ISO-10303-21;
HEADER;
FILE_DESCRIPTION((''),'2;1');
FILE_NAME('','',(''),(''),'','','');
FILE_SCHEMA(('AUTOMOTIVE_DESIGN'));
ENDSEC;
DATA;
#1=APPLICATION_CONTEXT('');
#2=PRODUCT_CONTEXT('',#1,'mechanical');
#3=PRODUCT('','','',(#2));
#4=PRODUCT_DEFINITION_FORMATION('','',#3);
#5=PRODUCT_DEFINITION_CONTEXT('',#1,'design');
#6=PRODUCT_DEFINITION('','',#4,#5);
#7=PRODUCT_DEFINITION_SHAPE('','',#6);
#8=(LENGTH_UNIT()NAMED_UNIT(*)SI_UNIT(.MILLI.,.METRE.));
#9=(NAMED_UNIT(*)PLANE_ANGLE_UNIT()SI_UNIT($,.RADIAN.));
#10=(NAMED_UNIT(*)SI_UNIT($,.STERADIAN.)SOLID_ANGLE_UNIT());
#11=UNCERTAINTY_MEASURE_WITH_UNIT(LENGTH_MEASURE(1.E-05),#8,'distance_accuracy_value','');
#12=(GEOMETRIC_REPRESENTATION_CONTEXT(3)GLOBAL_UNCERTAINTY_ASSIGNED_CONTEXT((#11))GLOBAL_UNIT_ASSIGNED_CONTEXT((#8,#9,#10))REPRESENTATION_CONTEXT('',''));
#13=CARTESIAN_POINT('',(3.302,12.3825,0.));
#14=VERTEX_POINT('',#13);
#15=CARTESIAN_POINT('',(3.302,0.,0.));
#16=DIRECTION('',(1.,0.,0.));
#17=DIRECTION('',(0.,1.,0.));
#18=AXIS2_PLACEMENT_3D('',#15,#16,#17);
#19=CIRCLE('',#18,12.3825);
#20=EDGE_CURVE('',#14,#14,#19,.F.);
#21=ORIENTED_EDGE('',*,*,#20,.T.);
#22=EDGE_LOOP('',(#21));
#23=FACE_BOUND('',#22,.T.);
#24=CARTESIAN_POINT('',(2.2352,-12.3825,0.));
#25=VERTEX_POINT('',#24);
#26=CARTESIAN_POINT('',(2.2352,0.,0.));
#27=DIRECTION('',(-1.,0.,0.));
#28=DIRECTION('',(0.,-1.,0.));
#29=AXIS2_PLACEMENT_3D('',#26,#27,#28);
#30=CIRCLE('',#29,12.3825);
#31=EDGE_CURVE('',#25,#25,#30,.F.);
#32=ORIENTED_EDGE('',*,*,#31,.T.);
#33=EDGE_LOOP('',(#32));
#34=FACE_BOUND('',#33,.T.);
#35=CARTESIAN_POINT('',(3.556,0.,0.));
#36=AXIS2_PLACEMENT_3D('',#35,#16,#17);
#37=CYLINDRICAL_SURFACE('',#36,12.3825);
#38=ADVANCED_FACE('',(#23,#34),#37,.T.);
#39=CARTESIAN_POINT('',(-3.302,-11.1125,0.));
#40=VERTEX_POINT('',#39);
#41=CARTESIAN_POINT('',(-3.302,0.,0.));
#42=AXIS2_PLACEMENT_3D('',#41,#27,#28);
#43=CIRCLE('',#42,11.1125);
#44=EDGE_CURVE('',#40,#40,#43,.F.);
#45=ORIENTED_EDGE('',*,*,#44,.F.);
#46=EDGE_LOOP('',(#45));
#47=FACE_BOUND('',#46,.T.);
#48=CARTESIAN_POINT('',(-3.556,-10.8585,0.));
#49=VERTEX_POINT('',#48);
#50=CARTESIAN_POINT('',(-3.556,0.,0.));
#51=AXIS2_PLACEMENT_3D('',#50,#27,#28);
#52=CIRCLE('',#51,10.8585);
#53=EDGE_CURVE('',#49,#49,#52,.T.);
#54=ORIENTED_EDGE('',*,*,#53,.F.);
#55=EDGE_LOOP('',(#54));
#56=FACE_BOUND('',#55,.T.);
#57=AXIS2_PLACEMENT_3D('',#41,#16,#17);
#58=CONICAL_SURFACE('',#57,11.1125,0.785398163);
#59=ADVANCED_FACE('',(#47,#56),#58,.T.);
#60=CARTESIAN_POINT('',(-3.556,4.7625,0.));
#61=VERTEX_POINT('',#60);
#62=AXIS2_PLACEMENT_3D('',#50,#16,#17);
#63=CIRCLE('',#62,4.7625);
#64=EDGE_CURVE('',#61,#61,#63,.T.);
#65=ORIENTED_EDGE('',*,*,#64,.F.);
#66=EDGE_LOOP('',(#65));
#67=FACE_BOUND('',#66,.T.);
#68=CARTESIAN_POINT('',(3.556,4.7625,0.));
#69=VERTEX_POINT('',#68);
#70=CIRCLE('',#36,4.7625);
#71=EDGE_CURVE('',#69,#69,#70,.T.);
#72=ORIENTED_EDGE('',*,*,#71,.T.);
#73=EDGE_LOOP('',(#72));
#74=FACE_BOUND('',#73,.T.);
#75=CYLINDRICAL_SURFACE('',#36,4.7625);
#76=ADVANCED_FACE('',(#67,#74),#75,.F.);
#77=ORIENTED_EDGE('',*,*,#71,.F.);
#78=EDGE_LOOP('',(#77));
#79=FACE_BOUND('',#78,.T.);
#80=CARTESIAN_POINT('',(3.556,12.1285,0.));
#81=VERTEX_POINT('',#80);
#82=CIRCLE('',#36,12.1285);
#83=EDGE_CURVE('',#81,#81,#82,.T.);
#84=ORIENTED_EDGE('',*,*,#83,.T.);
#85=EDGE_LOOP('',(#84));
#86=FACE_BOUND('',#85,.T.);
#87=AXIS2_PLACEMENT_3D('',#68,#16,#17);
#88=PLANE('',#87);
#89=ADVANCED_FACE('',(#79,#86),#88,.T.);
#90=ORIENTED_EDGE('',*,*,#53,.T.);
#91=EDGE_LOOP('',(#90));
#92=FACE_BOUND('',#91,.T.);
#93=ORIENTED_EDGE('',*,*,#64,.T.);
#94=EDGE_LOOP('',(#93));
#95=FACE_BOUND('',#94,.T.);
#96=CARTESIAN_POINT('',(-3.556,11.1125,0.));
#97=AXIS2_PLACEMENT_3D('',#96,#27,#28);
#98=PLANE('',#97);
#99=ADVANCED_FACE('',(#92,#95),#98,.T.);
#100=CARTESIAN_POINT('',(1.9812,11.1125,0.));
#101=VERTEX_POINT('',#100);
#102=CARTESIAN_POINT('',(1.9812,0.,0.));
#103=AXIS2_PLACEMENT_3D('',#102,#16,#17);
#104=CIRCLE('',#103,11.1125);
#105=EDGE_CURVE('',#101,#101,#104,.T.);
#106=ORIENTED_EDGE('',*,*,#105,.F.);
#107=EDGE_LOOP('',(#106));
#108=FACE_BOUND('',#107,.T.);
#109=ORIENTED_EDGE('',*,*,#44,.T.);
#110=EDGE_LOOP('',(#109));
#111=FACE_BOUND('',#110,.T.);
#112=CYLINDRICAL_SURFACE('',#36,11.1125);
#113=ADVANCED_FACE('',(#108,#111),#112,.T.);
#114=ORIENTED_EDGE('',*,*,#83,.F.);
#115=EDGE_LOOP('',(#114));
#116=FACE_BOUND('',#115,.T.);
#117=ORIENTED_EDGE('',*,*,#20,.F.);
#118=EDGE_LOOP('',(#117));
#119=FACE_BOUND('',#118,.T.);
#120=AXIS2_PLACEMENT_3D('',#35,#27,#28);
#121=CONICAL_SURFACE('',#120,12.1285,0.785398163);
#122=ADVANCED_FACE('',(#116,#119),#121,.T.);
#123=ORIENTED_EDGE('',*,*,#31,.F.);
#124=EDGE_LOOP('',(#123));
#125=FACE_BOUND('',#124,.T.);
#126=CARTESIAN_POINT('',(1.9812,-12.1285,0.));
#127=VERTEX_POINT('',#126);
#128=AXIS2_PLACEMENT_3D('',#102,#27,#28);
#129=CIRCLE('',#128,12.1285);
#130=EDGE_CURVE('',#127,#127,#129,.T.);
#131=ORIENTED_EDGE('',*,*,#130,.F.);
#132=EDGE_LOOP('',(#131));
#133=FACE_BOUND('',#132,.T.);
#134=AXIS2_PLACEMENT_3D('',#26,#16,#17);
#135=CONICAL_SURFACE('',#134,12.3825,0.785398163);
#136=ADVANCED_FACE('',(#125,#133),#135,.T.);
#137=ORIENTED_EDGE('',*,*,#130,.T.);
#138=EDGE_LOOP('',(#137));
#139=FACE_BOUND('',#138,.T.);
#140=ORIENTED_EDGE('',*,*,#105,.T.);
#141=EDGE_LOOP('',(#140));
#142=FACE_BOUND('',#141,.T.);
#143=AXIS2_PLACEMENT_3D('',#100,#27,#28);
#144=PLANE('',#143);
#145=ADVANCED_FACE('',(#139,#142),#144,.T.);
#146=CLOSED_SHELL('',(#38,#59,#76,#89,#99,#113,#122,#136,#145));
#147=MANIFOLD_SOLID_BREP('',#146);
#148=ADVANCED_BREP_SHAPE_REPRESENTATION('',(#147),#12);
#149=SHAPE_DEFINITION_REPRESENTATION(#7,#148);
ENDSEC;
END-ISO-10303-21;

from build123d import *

# Parameters (mm, degrees)
CHAMFER1_SIZE = 0.254


with BuildPart() as part:
    # Sketch1 → Revolve1 (revolve)
    with BuildSketch(Plane.XY):
        Polygon((-3.556, 11.1125), (1.9812, 11.1125), (1.9812, 12.3825), (3.556, 12.3825), (3.556, 4.7625), (-3.556, 4.7625), align=None)
    revolve(axis=Axis((3.556, 0, 0), (-1, 0, 0)))

    # Chamfer1
    chamfer1_edges = [part.edges().sort_by_distance(p)[0] for p in [
        (-3.556, -11.1125, 0),
        (1.9812, -12.3825, 0),
        (3.556, -12.3825, 0),
    ]]
    chamfer(chamfer1_edges, length=CHAMFER1_SIZE)


solid = part.part
